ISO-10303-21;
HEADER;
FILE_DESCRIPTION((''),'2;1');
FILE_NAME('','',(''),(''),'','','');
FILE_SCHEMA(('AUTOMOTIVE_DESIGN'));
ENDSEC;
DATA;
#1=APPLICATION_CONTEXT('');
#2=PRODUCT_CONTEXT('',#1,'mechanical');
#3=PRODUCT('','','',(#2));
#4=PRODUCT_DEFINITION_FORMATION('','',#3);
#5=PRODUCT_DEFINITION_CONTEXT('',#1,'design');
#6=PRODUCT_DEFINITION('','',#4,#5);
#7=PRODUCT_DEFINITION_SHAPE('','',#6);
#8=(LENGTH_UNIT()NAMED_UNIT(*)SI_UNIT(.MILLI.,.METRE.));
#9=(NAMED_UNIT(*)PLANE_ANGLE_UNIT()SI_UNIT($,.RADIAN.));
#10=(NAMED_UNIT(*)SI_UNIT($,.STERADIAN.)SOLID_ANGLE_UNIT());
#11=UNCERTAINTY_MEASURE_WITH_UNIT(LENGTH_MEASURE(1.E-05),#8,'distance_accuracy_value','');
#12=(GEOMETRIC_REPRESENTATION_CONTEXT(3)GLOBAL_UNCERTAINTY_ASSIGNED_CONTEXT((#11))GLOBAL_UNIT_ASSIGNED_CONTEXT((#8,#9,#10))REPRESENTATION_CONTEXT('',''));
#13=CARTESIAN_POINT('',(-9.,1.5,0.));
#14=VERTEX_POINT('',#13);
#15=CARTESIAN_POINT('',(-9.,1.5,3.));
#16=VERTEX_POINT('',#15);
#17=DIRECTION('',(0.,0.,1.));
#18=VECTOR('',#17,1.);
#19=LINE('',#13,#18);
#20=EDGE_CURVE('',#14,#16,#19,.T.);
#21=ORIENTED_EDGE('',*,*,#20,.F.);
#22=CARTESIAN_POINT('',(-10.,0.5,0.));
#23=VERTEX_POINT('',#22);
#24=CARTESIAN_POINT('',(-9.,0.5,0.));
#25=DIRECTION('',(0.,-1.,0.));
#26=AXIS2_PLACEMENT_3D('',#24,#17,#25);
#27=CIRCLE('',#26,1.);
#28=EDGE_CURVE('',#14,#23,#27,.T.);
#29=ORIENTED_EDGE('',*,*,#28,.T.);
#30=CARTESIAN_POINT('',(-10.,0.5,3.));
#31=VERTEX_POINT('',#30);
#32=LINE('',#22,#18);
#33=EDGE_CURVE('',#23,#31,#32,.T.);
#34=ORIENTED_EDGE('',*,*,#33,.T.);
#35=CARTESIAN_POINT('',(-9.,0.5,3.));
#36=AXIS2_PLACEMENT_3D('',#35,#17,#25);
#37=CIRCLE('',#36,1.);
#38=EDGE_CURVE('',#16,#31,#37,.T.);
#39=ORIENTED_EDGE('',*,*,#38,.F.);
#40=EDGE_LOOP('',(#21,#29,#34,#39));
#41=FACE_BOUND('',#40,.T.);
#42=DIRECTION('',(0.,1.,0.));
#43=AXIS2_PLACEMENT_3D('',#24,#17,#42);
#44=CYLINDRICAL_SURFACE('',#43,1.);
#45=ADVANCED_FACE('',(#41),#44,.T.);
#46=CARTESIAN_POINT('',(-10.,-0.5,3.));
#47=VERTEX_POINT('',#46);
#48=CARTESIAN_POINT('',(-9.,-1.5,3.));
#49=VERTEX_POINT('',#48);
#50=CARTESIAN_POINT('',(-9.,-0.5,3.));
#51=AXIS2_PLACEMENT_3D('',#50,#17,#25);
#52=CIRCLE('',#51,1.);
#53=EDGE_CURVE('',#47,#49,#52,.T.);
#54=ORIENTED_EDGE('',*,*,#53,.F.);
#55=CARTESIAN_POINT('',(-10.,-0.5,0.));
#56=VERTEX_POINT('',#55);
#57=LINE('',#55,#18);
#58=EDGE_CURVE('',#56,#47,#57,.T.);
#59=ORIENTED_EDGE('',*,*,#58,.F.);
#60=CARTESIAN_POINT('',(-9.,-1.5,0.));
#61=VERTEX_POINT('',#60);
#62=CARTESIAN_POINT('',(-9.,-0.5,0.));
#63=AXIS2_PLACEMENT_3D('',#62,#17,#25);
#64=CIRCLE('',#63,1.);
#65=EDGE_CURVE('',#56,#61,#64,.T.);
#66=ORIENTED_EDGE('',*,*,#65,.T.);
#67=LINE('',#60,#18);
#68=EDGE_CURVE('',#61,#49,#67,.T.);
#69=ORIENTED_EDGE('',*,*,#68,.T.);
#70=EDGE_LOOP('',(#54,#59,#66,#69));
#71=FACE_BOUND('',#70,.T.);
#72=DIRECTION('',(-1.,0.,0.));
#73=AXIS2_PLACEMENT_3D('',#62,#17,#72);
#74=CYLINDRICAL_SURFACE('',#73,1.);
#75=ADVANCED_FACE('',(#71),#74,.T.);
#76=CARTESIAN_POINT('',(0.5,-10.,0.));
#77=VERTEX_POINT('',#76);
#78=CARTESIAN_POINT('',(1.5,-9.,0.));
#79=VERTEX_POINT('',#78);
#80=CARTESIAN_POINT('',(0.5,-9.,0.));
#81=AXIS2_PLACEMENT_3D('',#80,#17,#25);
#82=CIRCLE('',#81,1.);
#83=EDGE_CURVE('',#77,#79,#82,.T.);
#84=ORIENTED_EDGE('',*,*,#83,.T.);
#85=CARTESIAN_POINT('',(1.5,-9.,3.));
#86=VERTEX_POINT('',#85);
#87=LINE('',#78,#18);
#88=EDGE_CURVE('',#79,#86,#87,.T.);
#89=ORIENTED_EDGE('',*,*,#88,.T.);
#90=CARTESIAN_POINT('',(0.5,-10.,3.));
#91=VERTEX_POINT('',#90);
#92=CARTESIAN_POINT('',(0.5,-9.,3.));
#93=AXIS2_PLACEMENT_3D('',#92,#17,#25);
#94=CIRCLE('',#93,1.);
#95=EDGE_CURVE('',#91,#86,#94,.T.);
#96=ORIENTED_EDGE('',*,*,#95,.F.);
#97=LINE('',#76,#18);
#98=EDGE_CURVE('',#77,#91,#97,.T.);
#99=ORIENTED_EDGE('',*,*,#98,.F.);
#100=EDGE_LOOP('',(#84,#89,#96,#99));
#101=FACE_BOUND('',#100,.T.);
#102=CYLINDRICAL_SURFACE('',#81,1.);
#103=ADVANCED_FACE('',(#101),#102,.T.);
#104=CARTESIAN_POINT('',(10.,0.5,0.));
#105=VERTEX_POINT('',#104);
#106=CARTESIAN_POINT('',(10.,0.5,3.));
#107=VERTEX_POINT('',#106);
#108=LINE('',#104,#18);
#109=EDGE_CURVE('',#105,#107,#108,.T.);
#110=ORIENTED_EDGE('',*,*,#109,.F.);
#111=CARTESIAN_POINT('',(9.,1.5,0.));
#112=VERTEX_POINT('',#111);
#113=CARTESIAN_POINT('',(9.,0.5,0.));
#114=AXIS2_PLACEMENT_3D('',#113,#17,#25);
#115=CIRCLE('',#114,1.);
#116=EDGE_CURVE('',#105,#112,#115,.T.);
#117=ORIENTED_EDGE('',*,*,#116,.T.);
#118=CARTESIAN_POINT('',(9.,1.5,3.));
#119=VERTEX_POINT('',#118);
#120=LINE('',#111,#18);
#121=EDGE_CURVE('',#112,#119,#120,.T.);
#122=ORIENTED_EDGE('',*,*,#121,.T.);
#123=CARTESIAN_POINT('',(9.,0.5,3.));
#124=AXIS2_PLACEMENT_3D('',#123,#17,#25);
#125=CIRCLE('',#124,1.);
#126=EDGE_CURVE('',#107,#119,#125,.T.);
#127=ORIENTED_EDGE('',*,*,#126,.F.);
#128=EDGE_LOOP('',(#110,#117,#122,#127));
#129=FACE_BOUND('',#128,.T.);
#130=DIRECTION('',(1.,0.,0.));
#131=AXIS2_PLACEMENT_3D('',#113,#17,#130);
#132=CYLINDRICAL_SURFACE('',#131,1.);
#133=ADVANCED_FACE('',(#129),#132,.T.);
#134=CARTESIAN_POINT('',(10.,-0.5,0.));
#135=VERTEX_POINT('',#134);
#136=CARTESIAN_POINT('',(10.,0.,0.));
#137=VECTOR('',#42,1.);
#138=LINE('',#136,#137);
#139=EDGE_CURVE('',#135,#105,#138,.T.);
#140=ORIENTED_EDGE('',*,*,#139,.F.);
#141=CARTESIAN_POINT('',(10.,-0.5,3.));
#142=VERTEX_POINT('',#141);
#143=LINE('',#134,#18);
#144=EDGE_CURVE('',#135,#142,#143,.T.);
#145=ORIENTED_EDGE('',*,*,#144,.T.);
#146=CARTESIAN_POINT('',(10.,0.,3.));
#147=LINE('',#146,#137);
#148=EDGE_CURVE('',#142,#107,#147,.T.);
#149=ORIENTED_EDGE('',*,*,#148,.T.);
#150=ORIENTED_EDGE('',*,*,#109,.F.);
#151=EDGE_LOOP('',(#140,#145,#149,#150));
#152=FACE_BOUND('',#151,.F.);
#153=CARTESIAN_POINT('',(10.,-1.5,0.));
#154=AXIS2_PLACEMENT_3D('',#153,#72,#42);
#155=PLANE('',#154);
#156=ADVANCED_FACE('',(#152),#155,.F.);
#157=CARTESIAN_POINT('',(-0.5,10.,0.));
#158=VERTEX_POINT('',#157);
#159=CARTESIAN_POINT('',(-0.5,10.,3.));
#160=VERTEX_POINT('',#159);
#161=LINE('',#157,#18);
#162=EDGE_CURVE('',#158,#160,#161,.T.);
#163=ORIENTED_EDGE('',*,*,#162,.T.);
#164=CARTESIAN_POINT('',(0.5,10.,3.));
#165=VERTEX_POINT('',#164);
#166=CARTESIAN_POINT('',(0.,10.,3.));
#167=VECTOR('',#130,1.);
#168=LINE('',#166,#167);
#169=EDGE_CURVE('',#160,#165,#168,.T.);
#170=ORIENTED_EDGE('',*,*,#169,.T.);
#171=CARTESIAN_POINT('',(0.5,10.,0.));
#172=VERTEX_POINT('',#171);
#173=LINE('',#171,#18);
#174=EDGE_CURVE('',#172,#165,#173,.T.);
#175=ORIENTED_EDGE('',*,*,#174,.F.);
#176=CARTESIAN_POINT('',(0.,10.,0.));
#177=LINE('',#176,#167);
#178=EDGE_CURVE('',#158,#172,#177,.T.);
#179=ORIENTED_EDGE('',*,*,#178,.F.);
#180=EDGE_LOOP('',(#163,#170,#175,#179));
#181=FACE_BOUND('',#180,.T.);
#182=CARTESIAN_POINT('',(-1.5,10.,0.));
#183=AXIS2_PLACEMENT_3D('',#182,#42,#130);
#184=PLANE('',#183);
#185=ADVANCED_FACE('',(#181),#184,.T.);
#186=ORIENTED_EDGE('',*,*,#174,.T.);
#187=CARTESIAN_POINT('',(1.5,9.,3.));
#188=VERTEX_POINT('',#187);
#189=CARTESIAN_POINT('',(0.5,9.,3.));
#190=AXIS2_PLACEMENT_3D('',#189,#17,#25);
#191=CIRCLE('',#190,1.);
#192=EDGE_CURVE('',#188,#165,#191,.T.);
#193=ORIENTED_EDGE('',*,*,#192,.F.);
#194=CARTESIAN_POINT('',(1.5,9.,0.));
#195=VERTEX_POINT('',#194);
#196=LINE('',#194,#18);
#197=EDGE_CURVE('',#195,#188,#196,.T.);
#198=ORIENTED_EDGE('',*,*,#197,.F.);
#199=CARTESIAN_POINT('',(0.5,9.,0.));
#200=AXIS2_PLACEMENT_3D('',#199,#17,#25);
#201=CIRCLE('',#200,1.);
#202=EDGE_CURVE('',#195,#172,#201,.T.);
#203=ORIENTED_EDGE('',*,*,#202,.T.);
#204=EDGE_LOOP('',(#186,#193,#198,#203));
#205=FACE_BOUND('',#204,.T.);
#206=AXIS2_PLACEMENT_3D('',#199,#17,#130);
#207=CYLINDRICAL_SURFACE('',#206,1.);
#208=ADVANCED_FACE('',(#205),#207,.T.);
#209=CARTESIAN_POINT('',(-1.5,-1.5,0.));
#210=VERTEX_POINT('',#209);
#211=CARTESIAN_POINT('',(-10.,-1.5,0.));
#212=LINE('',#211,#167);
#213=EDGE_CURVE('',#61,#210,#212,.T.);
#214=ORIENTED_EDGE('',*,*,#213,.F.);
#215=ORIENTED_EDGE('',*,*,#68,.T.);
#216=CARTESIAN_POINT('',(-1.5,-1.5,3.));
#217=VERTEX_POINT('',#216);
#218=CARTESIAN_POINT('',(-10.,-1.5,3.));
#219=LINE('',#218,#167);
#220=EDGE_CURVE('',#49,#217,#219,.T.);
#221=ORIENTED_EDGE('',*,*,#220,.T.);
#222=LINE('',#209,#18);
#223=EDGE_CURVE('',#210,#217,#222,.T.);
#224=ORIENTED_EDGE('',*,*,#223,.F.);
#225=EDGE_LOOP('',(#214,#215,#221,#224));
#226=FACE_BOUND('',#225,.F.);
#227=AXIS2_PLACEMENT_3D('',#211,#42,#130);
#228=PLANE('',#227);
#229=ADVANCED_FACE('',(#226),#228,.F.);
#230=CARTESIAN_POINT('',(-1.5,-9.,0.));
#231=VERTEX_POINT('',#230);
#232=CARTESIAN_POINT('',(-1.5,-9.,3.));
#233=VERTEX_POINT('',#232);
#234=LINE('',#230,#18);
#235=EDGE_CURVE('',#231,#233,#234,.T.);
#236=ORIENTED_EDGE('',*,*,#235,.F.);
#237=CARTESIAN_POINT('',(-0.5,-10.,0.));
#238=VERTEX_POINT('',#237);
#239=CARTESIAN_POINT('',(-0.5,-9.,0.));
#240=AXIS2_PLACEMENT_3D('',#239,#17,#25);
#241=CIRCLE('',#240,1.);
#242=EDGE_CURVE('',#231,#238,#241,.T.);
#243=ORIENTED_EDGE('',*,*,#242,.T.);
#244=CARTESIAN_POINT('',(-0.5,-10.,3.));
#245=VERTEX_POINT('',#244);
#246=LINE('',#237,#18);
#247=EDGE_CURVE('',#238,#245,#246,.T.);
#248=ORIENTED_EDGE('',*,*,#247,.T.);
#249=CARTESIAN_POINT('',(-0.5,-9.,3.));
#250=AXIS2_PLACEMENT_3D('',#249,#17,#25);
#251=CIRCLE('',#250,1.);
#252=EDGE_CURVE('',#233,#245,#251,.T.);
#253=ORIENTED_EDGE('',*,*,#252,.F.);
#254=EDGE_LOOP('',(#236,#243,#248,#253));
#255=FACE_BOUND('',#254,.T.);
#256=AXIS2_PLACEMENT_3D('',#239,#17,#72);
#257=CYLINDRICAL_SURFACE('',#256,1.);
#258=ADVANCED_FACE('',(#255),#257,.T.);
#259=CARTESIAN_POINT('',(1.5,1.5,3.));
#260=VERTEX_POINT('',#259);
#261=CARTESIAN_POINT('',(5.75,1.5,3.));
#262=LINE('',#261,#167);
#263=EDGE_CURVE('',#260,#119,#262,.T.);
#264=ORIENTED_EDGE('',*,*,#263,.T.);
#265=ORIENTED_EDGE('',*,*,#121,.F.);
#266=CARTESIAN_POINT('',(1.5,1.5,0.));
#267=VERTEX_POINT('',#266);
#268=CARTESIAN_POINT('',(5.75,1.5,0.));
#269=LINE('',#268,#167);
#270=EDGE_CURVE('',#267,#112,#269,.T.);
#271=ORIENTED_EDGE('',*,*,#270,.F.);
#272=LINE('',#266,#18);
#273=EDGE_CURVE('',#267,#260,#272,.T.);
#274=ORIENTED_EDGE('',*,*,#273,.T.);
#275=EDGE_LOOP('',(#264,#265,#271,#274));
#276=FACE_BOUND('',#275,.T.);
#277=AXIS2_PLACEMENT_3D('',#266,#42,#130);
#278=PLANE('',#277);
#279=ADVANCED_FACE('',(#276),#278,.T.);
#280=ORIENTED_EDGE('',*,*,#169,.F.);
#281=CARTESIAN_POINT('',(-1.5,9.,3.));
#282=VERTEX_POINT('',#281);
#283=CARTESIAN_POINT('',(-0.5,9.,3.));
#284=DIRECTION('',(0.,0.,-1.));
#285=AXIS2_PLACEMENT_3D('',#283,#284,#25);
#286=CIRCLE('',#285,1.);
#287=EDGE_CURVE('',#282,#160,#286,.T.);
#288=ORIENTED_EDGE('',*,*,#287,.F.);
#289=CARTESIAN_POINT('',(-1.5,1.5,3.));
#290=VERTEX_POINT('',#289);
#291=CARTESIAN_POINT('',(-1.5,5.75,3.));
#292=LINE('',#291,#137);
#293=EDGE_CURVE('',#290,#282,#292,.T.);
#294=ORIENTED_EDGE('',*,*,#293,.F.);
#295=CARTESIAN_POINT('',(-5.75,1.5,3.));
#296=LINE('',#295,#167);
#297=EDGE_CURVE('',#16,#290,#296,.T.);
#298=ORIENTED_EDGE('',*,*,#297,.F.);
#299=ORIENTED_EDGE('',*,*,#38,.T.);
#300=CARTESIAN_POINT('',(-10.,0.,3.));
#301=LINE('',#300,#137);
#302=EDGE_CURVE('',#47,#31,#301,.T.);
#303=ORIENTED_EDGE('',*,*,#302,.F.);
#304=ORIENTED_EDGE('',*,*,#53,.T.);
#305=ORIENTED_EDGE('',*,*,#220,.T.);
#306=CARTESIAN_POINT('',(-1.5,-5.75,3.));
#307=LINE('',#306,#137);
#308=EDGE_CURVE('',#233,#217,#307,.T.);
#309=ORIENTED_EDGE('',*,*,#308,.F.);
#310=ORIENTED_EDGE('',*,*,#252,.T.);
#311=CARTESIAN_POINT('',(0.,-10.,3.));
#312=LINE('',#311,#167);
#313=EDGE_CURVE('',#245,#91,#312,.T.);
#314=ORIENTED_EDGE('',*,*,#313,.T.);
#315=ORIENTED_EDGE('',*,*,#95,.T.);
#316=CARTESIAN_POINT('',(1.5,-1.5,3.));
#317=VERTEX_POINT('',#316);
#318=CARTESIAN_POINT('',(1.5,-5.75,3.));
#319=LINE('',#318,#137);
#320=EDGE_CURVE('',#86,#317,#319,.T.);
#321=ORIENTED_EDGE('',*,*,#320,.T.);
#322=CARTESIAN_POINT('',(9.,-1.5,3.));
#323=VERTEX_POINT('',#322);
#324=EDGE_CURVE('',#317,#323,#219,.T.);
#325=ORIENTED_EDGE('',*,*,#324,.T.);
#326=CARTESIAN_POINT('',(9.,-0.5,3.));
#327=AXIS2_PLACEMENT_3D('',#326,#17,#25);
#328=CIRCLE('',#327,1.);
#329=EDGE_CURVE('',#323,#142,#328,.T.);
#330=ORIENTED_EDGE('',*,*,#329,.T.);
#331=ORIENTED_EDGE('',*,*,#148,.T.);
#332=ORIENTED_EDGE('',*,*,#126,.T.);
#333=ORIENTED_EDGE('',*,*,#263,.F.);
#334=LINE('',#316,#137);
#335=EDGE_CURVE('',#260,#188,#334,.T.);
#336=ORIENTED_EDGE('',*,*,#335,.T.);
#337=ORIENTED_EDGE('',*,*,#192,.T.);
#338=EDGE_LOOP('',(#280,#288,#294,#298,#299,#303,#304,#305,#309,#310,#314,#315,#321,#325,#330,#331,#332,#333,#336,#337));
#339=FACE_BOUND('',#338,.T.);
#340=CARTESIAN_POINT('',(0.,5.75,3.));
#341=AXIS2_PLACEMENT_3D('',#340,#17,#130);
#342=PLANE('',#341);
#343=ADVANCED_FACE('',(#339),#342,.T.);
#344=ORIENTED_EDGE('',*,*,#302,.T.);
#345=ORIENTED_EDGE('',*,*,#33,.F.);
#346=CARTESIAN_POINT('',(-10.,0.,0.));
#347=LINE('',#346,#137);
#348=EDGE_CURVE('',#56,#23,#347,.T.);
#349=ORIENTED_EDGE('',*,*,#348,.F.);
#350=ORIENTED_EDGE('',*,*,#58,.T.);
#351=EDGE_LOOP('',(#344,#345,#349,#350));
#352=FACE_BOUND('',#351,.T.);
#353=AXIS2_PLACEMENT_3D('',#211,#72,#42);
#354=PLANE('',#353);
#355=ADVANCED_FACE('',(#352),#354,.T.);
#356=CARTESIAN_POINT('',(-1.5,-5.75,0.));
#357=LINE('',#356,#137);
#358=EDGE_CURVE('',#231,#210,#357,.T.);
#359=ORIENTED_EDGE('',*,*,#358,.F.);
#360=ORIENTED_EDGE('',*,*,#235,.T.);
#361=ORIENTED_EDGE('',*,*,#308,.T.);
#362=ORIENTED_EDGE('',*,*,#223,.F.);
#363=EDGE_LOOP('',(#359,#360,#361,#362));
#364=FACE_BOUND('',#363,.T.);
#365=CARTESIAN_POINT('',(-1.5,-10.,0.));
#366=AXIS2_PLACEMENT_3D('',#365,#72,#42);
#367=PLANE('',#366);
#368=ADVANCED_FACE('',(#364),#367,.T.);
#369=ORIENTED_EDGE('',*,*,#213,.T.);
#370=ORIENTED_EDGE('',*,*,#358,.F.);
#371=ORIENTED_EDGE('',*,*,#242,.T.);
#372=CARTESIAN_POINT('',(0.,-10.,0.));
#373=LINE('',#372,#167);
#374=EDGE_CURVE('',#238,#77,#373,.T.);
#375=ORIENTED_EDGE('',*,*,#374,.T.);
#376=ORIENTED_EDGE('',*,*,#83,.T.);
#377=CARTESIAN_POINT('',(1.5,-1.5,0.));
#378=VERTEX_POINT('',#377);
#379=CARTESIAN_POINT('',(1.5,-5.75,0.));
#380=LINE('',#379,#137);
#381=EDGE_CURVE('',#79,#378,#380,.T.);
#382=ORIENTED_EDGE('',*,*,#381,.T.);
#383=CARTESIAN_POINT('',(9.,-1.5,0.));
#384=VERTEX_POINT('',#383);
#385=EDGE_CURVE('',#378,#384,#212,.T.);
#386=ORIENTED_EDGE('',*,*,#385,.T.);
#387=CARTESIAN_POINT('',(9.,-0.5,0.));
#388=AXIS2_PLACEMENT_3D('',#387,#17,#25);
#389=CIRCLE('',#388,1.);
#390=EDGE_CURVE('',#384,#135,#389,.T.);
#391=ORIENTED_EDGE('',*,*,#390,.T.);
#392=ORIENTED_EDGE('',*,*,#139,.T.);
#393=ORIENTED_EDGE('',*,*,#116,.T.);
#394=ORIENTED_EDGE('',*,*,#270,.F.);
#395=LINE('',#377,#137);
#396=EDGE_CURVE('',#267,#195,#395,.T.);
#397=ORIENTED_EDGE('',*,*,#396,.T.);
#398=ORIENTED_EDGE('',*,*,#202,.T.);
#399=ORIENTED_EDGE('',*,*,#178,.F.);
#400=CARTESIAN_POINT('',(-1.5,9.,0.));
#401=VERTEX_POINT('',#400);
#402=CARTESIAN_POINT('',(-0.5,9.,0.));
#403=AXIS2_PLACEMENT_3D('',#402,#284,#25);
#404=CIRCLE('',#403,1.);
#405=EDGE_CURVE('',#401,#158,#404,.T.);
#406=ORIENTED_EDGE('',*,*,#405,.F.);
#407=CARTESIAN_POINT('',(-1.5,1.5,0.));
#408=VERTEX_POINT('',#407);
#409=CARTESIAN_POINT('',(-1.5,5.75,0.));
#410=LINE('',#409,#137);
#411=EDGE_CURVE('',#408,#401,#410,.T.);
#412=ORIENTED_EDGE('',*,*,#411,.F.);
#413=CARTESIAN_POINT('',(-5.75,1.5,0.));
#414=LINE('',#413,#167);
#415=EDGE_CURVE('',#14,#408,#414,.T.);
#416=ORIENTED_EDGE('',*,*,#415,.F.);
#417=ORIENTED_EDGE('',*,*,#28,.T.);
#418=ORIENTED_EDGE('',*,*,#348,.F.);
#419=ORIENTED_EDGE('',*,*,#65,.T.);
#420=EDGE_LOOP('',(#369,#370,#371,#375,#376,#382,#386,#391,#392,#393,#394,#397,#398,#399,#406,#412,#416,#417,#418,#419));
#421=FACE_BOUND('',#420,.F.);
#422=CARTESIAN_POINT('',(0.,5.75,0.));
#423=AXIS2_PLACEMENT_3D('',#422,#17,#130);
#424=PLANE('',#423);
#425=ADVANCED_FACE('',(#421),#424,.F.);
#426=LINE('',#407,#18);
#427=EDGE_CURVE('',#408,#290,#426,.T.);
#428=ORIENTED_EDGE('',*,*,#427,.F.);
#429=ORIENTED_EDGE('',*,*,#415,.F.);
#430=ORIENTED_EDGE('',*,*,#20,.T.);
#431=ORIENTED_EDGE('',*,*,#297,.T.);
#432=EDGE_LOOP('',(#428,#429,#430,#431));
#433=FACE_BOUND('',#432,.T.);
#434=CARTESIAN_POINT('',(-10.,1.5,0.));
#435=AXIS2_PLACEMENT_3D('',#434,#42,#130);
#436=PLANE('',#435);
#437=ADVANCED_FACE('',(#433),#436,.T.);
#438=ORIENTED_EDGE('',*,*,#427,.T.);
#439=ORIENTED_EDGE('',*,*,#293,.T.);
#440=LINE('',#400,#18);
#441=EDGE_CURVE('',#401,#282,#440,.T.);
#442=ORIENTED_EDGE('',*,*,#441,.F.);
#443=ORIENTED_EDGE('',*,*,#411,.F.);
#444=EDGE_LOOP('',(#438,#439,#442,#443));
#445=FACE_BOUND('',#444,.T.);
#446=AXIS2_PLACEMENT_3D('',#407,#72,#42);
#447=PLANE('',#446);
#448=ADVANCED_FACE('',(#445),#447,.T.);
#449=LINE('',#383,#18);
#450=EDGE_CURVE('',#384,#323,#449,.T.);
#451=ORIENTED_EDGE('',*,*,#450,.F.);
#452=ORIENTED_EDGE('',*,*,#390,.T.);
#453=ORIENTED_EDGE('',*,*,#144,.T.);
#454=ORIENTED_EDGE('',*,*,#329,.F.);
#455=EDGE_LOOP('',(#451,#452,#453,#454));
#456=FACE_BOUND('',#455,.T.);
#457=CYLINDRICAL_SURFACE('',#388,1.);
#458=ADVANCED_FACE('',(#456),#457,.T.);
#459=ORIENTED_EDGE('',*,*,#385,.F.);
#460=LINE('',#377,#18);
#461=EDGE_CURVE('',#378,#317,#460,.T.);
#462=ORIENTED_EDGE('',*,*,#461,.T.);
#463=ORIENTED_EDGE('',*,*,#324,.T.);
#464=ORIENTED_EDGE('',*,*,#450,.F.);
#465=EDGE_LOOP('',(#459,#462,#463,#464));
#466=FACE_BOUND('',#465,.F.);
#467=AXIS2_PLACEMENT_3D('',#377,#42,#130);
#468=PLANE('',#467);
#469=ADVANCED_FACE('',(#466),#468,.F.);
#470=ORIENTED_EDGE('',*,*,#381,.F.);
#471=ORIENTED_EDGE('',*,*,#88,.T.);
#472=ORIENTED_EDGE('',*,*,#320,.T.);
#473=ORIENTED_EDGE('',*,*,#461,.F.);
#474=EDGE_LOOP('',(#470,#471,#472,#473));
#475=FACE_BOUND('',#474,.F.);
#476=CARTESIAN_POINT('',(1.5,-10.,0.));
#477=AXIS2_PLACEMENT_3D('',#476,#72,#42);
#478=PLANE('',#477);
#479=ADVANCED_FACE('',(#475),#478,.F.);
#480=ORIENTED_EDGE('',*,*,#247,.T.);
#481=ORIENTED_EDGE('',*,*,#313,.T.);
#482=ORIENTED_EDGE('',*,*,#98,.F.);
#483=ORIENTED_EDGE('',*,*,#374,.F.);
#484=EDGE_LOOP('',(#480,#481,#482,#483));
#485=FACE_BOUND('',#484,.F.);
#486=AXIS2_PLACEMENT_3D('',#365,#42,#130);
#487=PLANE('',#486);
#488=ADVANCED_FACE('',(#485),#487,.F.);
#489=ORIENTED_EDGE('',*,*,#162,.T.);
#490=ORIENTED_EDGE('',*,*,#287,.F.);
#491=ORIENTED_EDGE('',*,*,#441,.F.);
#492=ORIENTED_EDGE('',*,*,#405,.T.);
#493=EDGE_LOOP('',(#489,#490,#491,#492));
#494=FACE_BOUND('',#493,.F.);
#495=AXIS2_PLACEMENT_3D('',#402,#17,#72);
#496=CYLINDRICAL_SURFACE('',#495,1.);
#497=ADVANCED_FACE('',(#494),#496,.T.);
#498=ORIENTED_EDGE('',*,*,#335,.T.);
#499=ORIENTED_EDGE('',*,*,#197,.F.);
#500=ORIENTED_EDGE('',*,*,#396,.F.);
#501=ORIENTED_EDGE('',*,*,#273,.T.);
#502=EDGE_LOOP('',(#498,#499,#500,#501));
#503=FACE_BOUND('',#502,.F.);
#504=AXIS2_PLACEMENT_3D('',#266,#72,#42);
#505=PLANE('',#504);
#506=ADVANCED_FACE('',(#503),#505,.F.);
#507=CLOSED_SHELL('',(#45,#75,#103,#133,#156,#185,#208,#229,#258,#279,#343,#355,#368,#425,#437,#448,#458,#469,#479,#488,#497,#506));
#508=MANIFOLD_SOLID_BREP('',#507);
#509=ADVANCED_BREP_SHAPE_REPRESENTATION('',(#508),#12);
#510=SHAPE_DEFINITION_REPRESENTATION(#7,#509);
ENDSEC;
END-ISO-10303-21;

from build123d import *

# Parameters (mm, degrees)
F0_W     = 3
F0_H     = 8.5
F0_W_2   = 8.5
F0_H_2   = 3
F1_DEPTH = 3
F2_R     = 1


with BuildPart() as f1:
    # F0 (on Top) → F1 (new body)
    with BuildSketch(Plane.XY):
        with Locations((0, 5.75)):
            Rectangle(F0_W, F0_H)
        with Locations((-5.75, 0)):
            Rectangle(F0_W_2, F0_H_2)
        Rectangle(F0_W, F0_H_2)
        with Locations((5.75, 0)):
            Rectangle(F0_W_2, F0_H_2)
        with Locations((0, -5.75)):
            Rectangle(F0_W, F0_H)
    extrude(amount=F1_DEPTH)

    # F2
    f2_edges = [f1.edges().sort_by_distance(p)[0] for p in [
        (-10, 1.5, 1.5),
        (-10, -1.5, 1.5),
        (-1.5, -10, 1.5),
        (-1.5, 10, 1.5),
        (1.5, 10, 1.5),
        (10, 1.5, 1.5),
        (1.5, -10, 1.5),
        (10, -1.5, 1.5),
    ]]
    fillet(f2_edges, radius=F2_R)


solid = f1.part
